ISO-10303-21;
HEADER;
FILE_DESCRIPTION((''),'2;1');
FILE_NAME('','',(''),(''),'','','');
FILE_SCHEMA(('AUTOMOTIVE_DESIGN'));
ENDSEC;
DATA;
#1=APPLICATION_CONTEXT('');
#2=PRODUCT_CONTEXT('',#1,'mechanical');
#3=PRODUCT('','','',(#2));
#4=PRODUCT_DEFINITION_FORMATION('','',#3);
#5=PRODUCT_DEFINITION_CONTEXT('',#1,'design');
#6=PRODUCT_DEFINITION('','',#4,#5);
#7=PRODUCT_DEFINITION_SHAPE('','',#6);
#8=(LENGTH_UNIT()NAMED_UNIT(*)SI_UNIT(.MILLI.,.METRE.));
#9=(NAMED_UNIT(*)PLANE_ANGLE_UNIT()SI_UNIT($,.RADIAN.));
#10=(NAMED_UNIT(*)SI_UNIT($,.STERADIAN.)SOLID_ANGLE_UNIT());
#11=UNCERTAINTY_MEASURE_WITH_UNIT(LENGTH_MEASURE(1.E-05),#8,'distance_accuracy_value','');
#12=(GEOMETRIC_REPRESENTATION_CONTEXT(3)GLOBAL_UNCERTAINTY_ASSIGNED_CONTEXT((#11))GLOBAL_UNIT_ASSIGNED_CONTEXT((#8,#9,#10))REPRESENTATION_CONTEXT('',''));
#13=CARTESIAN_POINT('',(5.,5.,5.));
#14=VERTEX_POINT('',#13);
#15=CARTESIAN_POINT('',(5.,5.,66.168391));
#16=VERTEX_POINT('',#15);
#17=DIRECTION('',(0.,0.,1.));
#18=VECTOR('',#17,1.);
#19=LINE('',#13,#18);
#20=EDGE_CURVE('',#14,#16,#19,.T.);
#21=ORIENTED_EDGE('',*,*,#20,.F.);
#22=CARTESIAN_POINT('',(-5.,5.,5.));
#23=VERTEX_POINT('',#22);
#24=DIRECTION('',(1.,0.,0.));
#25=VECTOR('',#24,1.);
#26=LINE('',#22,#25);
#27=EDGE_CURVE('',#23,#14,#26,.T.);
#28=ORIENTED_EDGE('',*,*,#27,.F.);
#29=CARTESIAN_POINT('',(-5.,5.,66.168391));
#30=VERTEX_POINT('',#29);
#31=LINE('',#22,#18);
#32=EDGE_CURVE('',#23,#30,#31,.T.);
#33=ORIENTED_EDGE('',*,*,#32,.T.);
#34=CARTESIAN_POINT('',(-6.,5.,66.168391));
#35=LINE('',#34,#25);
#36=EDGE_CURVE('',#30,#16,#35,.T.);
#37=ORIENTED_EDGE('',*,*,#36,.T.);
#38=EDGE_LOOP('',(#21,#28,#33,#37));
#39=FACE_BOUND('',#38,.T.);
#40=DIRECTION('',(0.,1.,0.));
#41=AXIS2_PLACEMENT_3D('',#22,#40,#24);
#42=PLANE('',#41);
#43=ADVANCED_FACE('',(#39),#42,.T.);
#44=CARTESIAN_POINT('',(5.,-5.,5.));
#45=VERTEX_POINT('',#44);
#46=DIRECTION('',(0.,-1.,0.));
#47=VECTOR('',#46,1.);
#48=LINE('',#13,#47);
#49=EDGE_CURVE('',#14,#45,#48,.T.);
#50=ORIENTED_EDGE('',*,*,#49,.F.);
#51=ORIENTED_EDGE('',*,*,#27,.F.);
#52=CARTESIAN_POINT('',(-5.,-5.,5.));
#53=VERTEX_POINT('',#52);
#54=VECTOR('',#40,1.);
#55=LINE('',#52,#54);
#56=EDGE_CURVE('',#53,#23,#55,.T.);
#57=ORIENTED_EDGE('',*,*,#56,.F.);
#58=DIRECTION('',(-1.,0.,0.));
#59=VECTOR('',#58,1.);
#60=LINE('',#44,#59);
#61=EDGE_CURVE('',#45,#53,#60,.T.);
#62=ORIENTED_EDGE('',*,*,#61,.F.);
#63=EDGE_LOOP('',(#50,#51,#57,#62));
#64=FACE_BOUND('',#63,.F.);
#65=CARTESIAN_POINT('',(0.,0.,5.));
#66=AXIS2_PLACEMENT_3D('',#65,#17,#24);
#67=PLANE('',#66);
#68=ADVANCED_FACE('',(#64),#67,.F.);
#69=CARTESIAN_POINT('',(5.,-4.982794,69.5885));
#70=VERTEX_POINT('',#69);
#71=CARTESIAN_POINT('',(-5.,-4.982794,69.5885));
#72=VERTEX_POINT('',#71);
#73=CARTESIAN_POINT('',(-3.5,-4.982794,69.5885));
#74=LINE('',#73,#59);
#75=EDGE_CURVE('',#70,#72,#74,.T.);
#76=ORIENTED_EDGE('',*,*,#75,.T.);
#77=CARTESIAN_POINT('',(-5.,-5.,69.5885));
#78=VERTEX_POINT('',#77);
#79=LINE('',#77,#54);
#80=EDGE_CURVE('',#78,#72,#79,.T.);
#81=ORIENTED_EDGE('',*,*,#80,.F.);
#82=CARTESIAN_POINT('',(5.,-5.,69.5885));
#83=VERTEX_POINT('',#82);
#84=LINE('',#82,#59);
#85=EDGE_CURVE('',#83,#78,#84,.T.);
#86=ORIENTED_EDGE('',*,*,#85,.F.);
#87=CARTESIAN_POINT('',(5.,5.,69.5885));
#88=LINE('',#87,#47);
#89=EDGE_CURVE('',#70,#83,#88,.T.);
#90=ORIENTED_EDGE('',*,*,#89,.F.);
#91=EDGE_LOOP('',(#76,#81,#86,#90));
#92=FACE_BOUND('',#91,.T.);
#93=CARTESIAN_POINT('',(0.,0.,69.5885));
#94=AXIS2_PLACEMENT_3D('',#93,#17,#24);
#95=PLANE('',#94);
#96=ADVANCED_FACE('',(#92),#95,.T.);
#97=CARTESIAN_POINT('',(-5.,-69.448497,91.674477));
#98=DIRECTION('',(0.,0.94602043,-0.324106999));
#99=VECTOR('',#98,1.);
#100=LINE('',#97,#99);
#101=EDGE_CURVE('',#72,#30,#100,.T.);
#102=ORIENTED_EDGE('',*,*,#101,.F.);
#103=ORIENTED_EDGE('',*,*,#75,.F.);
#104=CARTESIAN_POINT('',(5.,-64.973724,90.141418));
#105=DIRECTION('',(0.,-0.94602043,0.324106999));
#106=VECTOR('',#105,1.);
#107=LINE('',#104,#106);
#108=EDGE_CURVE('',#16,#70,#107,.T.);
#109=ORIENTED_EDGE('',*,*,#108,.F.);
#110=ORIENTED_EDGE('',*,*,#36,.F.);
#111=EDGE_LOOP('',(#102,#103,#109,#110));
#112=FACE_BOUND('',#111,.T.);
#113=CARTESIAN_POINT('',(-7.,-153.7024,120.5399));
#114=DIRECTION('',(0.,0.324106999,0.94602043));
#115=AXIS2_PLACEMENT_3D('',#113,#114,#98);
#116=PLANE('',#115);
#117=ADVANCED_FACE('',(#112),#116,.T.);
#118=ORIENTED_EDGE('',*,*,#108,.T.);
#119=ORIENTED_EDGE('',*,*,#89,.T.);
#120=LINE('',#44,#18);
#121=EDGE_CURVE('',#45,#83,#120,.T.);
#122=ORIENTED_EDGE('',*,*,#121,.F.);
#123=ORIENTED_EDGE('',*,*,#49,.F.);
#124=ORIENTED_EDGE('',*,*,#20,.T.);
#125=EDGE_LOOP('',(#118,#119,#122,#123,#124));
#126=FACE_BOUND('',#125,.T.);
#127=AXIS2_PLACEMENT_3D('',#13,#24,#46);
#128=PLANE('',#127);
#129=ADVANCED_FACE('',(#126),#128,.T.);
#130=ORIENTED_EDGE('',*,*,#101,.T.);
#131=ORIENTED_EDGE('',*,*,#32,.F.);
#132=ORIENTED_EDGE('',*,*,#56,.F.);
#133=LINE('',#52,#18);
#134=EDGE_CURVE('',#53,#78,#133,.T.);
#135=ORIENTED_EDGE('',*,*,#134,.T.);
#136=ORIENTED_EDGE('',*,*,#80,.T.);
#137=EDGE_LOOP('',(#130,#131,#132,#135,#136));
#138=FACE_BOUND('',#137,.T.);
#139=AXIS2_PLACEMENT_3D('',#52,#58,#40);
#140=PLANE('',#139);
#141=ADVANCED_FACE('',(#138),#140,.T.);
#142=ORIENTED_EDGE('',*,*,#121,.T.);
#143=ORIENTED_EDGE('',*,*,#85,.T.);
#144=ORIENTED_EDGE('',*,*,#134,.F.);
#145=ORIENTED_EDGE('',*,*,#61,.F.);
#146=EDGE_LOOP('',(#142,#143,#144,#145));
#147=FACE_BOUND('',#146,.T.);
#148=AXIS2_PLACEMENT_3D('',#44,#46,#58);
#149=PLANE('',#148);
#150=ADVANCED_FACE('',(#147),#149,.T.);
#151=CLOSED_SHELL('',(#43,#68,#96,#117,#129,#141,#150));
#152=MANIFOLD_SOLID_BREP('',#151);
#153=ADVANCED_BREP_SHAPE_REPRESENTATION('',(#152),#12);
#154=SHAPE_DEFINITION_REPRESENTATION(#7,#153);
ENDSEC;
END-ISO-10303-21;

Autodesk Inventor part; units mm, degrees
ref_plane "Start Plane" through (0, 0, 5) normal (0, 0, 1) x (1, 0, 0)
ref_plane "End Plane" through (0, 0, 69.5885) normal (0, 0, 1) x (1, 0, 0)
sketch "Sketch" plane through (0, 0, 0) normal (0, 0, 1) x (1, 0, 0)
  line L0 (5, -5) -> (-5, -5)
  line L1 (-5, -5) -> (-5, 5)
  line L2 (-5, 5) -> (5, 5)
  line L3 (5, 5) -> (5, -5)
  line L4 (-6, 0) -> (8, 0) construction
  line L5 (0, -30) -> (0, 40) construction
  line L6 (0, 54) -> (0, -44) construction
  line L7 (-9.2, 0) -> (13.2, 0) construction
  dimension "d0" = 10
  dimension "d1" = 10
  dimension "d4" = 5
  dimension "d5" = 5
extrude "Body" add sketch "Sketch" along normal up to surface (64.5885 mm away) from surface at 5
sketch "Sketch3" plane through (0, 0, 0) normal (0, 0, 1) x (1, 0, 0)
  line L0 (0, 0) -> (10, 0)
ref_plane "Work Plane3" through (0, 0, 0) normal (0, -1, 0) x (1, 0, 0)
sketch "Sketch4" plane through (0, 0, 0) normal (0, -1, 0) x (1, 0, 0)
  line L0 (-2, 5) -> (12, 5)
  line L1 (-2, 69.5885) -> (12, 69.5885)
  dimension "d9" = 64.5885
ref_plane "Work Plane4" through (-7, -153.7024, 120.5399) normal (0, 0.3241, 0.946) x (1, 0, 0)
split "Split1" plane through (-7, -153.7024, 120.5399) removes the side toward (0, 0.3241, 0.946)
ref_plane "Work Plane5" through (-24.7397, 52.8201, 5) normal (0, 0, -1) x (-1, 0, 0)
split "Split2" plane through (-24.7397, 52.8201, 5) removes the side toward (0, 0, -1)
equation "\"d0\" = G_W"
equation "\"d1\" = G_H"
equation "\"d4\" = 0.5 * d1"
equation "\"d5\" = 0.5 * d0"
equation "\"d2\" = G_L"
equation "\"G_W\" = 10"
equation "\"G_H\" = 10"
equation "\"G_L\" = d9"
equation "\"G_OFFSET_START\" = -5"
equation "\"G_OFFSET_END\" = -8.85593"
equation "\"d6\" = -G_OFFSET_START"
equation "\"d7\" = G_OFFSET_END + B_L"
equation "\"B_L\" = 78.44444"
properties part number "ISO 1035/2 - 10 x 10 - 64,59" material "Steel, Mild"
